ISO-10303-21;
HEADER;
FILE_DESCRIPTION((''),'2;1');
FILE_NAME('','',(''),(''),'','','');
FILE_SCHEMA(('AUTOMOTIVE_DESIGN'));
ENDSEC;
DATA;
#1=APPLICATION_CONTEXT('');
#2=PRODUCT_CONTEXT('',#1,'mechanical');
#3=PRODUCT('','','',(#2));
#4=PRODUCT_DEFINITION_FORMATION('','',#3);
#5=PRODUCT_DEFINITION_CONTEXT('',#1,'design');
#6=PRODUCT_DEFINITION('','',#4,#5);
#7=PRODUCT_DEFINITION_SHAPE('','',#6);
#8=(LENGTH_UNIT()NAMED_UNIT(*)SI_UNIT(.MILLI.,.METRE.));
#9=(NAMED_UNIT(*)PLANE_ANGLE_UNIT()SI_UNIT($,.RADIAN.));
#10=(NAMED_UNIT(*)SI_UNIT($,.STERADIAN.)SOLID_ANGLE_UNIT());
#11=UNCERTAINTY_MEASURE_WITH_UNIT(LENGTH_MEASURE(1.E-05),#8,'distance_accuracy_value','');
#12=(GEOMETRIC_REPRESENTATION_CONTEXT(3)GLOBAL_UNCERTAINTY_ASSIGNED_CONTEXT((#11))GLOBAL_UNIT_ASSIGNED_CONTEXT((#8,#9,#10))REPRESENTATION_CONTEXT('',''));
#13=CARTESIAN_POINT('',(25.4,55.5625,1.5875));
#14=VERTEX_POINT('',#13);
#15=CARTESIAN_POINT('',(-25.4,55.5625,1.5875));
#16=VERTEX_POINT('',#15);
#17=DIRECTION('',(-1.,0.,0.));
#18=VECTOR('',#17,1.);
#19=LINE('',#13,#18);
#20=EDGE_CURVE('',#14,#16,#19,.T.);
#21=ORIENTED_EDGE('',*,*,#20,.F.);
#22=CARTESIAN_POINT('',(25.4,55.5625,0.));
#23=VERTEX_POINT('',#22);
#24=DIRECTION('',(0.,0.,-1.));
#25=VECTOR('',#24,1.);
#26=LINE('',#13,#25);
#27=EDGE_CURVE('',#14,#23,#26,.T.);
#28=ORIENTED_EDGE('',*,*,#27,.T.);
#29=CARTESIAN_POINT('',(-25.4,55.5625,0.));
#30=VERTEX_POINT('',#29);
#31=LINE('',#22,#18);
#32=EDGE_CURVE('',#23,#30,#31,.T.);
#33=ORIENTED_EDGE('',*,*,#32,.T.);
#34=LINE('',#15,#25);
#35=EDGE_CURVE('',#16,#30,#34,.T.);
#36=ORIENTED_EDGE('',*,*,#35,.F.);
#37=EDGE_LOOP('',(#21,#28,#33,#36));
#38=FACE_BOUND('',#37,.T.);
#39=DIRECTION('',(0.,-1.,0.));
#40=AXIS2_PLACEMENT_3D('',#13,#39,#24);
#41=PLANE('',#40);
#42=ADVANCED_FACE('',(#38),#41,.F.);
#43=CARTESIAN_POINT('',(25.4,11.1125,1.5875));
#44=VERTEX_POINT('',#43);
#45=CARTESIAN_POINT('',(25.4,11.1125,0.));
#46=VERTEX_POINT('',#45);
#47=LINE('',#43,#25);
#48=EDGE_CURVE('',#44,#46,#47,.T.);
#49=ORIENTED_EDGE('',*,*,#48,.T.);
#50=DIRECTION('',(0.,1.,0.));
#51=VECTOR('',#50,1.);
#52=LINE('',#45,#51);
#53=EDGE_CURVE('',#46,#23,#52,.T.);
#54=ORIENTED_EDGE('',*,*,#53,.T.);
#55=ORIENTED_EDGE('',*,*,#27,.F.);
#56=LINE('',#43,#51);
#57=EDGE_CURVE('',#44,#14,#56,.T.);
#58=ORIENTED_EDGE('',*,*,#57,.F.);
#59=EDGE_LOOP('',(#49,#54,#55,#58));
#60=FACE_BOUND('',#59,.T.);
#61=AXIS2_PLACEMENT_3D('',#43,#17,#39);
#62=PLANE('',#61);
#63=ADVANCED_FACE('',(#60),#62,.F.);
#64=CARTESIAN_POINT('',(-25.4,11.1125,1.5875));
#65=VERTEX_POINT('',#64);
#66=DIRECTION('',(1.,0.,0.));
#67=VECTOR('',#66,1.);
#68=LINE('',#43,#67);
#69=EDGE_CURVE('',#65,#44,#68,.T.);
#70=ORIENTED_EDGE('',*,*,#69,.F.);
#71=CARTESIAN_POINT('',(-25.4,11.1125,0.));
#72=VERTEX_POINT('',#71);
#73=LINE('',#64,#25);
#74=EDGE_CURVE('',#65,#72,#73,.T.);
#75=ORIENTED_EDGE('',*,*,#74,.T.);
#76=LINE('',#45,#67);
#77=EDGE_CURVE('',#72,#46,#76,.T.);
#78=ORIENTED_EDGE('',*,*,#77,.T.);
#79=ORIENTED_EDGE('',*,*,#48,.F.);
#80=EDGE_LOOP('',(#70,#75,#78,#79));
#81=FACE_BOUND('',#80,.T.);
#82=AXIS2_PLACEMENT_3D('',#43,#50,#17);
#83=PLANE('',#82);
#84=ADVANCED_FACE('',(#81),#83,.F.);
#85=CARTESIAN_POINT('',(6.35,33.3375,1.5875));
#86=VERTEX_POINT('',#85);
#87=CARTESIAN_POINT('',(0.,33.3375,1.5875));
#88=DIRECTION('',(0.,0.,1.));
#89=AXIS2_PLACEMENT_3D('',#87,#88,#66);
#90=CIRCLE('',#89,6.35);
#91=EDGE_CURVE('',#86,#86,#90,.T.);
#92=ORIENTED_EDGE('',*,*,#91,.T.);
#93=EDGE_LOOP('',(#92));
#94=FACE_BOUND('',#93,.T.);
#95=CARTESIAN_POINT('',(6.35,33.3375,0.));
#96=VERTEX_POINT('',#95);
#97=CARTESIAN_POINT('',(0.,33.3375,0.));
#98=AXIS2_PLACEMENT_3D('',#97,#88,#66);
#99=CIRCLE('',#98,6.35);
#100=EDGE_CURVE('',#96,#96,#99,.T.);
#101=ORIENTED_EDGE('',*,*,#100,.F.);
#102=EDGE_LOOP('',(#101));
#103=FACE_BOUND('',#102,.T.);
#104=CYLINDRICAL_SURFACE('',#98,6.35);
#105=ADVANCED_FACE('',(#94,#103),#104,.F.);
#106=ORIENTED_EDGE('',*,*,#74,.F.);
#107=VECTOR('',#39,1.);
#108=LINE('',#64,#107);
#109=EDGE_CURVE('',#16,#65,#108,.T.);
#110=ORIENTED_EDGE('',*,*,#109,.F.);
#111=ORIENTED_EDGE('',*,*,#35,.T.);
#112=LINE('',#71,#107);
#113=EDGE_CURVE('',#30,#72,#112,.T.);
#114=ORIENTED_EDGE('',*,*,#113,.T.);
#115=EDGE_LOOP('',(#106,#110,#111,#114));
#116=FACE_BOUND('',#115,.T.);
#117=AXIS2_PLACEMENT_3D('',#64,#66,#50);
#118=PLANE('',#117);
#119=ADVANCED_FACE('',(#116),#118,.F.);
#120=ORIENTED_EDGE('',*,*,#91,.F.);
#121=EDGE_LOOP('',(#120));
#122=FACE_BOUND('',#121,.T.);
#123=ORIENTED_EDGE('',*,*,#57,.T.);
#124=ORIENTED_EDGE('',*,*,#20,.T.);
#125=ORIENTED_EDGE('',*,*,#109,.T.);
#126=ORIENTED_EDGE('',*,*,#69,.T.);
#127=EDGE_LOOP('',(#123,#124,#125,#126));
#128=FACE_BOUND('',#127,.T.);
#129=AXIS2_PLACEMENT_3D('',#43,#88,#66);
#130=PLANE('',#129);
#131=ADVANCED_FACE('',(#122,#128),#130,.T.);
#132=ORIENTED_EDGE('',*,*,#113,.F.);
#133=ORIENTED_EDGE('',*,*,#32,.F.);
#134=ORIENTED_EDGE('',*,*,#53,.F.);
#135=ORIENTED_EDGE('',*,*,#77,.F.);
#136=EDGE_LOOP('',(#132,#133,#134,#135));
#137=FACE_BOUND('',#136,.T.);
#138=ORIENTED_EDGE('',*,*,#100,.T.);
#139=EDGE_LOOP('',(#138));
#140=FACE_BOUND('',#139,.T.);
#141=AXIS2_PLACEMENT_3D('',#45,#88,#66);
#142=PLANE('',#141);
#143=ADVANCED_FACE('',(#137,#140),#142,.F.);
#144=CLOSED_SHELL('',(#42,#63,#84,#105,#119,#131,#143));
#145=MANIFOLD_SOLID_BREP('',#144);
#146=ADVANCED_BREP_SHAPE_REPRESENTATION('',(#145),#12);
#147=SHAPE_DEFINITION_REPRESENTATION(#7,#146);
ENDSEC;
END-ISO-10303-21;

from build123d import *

# Parameters (mm, degrees)
SKETCH1_W          = 50.8
SKETCH1_H          = 44.45
EXTRUDE1_DEPTH     = 1.5875
SKETCH2_R          = 6.35
CUT_EXTRUDE1_DEPTH = 2.5875


with BuildPart() as part:
    # Sketch1 → Extrude1 (new body)
    with BuildSketch(Plane.XY):
        with Locations((0, 33.3375)):
            Rectangle(SKETCH1_W, SKETCH1_H)
    extrude(amount=EXTRUDE1_DEPTH)

    # Sketch2 → Cut-Extrude1 (cut, through all)
    with BuildSketch(Plane.XY.offset(1.5875)):
        with Locations((0, 33.3375)):
            Circle(SKETCH2_R)
    extrude(amount=-CUT_EXTRUDE1_DEPTH, mode=Mode.SUBTRACT)


solid = part.part
